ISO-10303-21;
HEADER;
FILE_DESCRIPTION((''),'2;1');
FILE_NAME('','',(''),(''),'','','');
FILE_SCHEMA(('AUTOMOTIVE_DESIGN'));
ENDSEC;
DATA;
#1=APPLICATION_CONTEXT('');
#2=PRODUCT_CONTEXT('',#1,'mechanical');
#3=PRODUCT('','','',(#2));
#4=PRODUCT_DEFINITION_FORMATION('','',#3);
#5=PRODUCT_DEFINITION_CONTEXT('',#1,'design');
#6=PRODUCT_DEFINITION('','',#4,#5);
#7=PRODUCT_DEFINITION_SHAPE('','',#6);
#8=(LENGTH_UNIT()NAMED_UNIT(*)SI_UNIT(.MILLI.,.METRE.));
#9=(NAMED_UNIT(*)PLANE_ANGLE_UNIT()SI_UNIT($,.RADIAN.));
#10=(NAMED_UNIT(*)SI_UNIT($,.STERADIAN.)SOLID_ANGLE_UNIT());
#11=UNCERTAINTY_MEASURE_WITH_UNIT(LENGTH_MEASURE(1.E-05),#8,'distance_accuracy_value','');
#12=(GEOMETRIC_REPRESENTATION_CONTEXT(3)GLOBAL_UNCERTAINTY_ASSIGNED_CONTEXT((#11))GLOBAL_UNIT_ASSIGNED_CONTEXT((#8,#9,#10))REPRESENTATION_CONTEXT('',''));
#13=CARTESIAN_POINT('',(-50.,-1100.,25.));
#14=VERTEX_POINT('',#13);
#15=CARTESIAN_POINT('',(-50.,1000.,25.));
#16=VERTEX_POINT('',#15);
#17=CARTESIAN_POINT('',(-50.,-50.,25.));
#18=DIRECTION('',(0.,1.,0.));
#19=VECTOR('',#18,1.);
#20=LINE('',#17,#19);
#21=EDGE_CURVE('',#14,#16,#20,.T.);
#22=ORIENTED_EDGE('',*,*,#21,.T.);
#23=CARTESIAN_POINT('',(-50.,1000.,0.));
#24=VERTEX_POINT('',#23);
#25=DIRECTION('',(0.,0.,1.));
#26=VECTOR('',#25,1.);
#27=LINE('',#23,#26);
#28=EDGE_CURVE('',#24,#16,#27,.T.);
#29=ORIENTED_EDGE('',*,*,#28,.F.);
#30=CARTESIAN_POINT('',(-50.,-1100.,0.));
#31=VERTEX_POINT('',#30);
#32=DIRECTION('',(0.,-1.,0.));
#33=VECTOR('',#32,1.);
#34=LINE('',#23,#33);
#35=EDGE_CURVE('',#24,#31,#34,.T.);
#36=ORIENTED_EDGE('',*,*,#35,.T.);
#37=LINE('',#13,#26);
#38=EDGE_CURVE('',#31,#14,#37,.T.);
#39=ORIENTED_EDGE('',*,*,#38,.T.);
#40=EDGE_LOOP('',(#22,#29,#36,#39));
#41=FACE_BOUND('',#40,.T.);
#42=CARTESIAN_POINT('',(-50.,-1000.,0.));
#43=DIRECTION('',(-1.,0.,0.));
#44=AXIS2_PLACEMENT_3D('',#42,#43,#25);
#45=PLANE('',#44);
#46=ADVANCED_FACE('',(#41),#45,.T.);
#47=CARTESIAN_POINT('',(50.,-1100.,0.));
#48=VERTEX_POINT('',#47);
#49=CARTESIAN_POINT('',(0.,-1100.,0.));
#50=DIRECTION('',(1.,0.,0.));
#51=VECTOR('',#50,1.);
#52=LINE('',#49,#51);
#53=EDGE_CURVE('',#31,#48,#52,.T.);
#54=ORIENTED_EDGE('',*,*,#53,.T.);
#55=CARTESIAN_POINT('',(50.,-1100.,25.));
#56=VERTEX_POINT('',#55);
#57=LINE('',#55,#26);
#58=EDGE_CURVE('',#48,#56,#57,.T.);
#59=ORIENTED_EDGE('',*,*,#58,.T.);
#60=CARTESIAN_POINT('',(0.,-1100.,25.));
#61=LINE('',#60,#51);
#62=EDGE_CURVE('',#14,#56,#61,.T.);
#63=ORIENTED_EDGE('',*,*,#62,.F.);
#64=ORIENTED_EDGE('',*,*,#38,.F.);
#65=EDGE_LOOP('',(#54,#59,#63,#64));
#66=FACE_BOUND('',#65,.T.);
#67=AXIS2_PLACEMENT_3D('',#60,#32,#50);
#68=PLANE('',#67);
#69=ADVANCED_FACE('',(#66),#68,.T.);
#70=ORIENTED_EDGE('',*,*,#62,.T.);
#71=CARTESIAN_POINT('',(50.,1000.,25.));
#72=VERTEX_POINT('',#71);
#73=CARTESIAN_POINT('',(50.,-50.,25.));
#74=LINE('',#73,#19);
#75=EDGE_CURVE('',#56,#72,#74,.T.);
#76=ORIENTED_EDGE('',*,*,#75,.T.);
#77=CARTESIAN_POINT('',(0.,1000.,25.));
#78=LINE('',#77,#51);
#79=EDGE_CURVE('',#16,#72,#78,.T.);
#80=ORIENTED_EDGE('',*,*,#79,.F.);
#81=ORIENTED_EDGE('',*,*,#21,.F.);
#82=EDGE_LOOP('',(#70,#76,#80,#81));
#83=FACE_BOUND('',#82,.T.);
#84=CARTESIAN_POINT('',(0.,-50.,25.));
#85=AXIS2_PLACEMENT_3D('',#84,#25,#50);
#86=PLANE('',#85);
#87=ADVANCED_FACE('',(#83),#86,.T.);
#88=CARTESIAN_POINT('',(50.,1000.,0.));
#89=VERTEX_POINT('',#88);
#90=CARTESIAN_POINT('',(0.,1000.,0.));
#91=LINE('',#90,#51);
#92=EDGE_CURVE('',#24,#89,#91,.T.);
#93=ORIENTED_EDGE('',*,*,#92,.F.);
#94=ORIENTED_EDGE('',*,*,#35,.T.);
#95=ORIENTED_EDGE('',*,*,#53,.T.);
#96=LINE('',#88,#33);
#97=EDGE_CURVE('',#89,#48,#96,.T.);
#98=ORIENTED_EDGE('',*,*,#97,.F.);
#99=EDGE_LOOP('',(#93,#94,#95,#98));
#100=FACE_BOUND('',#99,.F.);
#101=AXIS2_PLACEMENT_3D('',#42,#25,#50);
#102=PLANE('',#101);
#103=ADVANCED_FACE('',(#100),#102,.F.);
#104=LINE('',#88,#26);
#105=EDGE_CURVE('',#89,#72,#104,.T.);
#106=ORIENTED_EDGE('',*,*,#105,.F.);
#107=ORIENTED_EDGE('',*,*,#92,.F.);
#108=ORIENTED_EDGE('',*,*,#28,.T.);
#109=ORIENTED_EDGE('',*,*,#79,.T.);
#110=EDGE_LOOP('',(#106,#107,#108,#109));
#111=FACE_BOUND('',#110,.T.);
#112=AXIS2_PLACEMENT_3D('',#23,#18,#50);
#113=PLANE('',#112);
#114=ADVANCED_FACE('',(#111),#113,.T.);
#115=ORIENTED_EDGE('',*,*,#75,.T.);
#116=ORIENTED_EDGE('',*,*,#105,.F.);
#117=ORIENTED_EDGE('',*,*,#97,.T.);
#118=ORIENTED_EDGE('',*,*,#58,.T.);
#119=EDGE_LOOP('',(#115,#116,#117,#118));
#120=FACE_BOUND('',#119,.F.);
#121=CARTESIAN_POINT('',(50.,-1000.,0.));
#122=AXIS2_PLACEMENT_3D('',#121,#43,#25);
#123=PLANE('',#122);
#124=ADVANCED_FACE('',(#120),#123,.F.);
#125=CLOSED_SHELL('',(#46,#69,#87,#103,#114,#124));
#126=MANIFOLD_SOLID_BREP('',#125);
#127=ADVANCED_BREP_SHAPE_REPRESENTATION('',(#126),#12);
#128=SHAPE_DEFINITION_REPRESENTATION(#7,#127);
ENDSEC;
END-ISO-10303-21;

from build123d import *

# Parameters (mm, degrees)
F0_W      = 100
F0_H      = 2000
F1_DEPTH  = 50
F1_FACE_W = 100
F1_FACE_H = 50
F2_DEPTH  = 100
F2_FACE_W = 100
F2_FACE_H = 2100
F3_DEPTH  = 25


with BuildPart() as f1:
    # F0 (on Top) → F1 (new body)
    with BuildSketch(Plane.XY):
        Rectangle(F0_W, F0_H)
    extrude(amount=F1_DEPTH)

    # F1_face (on face) → F2 (join)
    with BuildSketch(Plane(origin=(0, -1000, 25), x_dir=(1, 0, 0), z_dir=(0, -1, 0))):
        Rectangle(F1_FACE_W, F1_FACE_H)
    extrude(amount=F2_DEPTH)

    # F2_face (on face) → F3 (cut)
    with BuildSketch(Plane(origin=(0, -50, 50), x_dir=(1, 0, 0), z_dir=(0, 0, 1))):
        Rectangle(F2_FACE_W, F2_FACE_H)
    extrude(amount=-F3_DEPTH, mode=Mode.SUBTRACT)


solid = f1.part
